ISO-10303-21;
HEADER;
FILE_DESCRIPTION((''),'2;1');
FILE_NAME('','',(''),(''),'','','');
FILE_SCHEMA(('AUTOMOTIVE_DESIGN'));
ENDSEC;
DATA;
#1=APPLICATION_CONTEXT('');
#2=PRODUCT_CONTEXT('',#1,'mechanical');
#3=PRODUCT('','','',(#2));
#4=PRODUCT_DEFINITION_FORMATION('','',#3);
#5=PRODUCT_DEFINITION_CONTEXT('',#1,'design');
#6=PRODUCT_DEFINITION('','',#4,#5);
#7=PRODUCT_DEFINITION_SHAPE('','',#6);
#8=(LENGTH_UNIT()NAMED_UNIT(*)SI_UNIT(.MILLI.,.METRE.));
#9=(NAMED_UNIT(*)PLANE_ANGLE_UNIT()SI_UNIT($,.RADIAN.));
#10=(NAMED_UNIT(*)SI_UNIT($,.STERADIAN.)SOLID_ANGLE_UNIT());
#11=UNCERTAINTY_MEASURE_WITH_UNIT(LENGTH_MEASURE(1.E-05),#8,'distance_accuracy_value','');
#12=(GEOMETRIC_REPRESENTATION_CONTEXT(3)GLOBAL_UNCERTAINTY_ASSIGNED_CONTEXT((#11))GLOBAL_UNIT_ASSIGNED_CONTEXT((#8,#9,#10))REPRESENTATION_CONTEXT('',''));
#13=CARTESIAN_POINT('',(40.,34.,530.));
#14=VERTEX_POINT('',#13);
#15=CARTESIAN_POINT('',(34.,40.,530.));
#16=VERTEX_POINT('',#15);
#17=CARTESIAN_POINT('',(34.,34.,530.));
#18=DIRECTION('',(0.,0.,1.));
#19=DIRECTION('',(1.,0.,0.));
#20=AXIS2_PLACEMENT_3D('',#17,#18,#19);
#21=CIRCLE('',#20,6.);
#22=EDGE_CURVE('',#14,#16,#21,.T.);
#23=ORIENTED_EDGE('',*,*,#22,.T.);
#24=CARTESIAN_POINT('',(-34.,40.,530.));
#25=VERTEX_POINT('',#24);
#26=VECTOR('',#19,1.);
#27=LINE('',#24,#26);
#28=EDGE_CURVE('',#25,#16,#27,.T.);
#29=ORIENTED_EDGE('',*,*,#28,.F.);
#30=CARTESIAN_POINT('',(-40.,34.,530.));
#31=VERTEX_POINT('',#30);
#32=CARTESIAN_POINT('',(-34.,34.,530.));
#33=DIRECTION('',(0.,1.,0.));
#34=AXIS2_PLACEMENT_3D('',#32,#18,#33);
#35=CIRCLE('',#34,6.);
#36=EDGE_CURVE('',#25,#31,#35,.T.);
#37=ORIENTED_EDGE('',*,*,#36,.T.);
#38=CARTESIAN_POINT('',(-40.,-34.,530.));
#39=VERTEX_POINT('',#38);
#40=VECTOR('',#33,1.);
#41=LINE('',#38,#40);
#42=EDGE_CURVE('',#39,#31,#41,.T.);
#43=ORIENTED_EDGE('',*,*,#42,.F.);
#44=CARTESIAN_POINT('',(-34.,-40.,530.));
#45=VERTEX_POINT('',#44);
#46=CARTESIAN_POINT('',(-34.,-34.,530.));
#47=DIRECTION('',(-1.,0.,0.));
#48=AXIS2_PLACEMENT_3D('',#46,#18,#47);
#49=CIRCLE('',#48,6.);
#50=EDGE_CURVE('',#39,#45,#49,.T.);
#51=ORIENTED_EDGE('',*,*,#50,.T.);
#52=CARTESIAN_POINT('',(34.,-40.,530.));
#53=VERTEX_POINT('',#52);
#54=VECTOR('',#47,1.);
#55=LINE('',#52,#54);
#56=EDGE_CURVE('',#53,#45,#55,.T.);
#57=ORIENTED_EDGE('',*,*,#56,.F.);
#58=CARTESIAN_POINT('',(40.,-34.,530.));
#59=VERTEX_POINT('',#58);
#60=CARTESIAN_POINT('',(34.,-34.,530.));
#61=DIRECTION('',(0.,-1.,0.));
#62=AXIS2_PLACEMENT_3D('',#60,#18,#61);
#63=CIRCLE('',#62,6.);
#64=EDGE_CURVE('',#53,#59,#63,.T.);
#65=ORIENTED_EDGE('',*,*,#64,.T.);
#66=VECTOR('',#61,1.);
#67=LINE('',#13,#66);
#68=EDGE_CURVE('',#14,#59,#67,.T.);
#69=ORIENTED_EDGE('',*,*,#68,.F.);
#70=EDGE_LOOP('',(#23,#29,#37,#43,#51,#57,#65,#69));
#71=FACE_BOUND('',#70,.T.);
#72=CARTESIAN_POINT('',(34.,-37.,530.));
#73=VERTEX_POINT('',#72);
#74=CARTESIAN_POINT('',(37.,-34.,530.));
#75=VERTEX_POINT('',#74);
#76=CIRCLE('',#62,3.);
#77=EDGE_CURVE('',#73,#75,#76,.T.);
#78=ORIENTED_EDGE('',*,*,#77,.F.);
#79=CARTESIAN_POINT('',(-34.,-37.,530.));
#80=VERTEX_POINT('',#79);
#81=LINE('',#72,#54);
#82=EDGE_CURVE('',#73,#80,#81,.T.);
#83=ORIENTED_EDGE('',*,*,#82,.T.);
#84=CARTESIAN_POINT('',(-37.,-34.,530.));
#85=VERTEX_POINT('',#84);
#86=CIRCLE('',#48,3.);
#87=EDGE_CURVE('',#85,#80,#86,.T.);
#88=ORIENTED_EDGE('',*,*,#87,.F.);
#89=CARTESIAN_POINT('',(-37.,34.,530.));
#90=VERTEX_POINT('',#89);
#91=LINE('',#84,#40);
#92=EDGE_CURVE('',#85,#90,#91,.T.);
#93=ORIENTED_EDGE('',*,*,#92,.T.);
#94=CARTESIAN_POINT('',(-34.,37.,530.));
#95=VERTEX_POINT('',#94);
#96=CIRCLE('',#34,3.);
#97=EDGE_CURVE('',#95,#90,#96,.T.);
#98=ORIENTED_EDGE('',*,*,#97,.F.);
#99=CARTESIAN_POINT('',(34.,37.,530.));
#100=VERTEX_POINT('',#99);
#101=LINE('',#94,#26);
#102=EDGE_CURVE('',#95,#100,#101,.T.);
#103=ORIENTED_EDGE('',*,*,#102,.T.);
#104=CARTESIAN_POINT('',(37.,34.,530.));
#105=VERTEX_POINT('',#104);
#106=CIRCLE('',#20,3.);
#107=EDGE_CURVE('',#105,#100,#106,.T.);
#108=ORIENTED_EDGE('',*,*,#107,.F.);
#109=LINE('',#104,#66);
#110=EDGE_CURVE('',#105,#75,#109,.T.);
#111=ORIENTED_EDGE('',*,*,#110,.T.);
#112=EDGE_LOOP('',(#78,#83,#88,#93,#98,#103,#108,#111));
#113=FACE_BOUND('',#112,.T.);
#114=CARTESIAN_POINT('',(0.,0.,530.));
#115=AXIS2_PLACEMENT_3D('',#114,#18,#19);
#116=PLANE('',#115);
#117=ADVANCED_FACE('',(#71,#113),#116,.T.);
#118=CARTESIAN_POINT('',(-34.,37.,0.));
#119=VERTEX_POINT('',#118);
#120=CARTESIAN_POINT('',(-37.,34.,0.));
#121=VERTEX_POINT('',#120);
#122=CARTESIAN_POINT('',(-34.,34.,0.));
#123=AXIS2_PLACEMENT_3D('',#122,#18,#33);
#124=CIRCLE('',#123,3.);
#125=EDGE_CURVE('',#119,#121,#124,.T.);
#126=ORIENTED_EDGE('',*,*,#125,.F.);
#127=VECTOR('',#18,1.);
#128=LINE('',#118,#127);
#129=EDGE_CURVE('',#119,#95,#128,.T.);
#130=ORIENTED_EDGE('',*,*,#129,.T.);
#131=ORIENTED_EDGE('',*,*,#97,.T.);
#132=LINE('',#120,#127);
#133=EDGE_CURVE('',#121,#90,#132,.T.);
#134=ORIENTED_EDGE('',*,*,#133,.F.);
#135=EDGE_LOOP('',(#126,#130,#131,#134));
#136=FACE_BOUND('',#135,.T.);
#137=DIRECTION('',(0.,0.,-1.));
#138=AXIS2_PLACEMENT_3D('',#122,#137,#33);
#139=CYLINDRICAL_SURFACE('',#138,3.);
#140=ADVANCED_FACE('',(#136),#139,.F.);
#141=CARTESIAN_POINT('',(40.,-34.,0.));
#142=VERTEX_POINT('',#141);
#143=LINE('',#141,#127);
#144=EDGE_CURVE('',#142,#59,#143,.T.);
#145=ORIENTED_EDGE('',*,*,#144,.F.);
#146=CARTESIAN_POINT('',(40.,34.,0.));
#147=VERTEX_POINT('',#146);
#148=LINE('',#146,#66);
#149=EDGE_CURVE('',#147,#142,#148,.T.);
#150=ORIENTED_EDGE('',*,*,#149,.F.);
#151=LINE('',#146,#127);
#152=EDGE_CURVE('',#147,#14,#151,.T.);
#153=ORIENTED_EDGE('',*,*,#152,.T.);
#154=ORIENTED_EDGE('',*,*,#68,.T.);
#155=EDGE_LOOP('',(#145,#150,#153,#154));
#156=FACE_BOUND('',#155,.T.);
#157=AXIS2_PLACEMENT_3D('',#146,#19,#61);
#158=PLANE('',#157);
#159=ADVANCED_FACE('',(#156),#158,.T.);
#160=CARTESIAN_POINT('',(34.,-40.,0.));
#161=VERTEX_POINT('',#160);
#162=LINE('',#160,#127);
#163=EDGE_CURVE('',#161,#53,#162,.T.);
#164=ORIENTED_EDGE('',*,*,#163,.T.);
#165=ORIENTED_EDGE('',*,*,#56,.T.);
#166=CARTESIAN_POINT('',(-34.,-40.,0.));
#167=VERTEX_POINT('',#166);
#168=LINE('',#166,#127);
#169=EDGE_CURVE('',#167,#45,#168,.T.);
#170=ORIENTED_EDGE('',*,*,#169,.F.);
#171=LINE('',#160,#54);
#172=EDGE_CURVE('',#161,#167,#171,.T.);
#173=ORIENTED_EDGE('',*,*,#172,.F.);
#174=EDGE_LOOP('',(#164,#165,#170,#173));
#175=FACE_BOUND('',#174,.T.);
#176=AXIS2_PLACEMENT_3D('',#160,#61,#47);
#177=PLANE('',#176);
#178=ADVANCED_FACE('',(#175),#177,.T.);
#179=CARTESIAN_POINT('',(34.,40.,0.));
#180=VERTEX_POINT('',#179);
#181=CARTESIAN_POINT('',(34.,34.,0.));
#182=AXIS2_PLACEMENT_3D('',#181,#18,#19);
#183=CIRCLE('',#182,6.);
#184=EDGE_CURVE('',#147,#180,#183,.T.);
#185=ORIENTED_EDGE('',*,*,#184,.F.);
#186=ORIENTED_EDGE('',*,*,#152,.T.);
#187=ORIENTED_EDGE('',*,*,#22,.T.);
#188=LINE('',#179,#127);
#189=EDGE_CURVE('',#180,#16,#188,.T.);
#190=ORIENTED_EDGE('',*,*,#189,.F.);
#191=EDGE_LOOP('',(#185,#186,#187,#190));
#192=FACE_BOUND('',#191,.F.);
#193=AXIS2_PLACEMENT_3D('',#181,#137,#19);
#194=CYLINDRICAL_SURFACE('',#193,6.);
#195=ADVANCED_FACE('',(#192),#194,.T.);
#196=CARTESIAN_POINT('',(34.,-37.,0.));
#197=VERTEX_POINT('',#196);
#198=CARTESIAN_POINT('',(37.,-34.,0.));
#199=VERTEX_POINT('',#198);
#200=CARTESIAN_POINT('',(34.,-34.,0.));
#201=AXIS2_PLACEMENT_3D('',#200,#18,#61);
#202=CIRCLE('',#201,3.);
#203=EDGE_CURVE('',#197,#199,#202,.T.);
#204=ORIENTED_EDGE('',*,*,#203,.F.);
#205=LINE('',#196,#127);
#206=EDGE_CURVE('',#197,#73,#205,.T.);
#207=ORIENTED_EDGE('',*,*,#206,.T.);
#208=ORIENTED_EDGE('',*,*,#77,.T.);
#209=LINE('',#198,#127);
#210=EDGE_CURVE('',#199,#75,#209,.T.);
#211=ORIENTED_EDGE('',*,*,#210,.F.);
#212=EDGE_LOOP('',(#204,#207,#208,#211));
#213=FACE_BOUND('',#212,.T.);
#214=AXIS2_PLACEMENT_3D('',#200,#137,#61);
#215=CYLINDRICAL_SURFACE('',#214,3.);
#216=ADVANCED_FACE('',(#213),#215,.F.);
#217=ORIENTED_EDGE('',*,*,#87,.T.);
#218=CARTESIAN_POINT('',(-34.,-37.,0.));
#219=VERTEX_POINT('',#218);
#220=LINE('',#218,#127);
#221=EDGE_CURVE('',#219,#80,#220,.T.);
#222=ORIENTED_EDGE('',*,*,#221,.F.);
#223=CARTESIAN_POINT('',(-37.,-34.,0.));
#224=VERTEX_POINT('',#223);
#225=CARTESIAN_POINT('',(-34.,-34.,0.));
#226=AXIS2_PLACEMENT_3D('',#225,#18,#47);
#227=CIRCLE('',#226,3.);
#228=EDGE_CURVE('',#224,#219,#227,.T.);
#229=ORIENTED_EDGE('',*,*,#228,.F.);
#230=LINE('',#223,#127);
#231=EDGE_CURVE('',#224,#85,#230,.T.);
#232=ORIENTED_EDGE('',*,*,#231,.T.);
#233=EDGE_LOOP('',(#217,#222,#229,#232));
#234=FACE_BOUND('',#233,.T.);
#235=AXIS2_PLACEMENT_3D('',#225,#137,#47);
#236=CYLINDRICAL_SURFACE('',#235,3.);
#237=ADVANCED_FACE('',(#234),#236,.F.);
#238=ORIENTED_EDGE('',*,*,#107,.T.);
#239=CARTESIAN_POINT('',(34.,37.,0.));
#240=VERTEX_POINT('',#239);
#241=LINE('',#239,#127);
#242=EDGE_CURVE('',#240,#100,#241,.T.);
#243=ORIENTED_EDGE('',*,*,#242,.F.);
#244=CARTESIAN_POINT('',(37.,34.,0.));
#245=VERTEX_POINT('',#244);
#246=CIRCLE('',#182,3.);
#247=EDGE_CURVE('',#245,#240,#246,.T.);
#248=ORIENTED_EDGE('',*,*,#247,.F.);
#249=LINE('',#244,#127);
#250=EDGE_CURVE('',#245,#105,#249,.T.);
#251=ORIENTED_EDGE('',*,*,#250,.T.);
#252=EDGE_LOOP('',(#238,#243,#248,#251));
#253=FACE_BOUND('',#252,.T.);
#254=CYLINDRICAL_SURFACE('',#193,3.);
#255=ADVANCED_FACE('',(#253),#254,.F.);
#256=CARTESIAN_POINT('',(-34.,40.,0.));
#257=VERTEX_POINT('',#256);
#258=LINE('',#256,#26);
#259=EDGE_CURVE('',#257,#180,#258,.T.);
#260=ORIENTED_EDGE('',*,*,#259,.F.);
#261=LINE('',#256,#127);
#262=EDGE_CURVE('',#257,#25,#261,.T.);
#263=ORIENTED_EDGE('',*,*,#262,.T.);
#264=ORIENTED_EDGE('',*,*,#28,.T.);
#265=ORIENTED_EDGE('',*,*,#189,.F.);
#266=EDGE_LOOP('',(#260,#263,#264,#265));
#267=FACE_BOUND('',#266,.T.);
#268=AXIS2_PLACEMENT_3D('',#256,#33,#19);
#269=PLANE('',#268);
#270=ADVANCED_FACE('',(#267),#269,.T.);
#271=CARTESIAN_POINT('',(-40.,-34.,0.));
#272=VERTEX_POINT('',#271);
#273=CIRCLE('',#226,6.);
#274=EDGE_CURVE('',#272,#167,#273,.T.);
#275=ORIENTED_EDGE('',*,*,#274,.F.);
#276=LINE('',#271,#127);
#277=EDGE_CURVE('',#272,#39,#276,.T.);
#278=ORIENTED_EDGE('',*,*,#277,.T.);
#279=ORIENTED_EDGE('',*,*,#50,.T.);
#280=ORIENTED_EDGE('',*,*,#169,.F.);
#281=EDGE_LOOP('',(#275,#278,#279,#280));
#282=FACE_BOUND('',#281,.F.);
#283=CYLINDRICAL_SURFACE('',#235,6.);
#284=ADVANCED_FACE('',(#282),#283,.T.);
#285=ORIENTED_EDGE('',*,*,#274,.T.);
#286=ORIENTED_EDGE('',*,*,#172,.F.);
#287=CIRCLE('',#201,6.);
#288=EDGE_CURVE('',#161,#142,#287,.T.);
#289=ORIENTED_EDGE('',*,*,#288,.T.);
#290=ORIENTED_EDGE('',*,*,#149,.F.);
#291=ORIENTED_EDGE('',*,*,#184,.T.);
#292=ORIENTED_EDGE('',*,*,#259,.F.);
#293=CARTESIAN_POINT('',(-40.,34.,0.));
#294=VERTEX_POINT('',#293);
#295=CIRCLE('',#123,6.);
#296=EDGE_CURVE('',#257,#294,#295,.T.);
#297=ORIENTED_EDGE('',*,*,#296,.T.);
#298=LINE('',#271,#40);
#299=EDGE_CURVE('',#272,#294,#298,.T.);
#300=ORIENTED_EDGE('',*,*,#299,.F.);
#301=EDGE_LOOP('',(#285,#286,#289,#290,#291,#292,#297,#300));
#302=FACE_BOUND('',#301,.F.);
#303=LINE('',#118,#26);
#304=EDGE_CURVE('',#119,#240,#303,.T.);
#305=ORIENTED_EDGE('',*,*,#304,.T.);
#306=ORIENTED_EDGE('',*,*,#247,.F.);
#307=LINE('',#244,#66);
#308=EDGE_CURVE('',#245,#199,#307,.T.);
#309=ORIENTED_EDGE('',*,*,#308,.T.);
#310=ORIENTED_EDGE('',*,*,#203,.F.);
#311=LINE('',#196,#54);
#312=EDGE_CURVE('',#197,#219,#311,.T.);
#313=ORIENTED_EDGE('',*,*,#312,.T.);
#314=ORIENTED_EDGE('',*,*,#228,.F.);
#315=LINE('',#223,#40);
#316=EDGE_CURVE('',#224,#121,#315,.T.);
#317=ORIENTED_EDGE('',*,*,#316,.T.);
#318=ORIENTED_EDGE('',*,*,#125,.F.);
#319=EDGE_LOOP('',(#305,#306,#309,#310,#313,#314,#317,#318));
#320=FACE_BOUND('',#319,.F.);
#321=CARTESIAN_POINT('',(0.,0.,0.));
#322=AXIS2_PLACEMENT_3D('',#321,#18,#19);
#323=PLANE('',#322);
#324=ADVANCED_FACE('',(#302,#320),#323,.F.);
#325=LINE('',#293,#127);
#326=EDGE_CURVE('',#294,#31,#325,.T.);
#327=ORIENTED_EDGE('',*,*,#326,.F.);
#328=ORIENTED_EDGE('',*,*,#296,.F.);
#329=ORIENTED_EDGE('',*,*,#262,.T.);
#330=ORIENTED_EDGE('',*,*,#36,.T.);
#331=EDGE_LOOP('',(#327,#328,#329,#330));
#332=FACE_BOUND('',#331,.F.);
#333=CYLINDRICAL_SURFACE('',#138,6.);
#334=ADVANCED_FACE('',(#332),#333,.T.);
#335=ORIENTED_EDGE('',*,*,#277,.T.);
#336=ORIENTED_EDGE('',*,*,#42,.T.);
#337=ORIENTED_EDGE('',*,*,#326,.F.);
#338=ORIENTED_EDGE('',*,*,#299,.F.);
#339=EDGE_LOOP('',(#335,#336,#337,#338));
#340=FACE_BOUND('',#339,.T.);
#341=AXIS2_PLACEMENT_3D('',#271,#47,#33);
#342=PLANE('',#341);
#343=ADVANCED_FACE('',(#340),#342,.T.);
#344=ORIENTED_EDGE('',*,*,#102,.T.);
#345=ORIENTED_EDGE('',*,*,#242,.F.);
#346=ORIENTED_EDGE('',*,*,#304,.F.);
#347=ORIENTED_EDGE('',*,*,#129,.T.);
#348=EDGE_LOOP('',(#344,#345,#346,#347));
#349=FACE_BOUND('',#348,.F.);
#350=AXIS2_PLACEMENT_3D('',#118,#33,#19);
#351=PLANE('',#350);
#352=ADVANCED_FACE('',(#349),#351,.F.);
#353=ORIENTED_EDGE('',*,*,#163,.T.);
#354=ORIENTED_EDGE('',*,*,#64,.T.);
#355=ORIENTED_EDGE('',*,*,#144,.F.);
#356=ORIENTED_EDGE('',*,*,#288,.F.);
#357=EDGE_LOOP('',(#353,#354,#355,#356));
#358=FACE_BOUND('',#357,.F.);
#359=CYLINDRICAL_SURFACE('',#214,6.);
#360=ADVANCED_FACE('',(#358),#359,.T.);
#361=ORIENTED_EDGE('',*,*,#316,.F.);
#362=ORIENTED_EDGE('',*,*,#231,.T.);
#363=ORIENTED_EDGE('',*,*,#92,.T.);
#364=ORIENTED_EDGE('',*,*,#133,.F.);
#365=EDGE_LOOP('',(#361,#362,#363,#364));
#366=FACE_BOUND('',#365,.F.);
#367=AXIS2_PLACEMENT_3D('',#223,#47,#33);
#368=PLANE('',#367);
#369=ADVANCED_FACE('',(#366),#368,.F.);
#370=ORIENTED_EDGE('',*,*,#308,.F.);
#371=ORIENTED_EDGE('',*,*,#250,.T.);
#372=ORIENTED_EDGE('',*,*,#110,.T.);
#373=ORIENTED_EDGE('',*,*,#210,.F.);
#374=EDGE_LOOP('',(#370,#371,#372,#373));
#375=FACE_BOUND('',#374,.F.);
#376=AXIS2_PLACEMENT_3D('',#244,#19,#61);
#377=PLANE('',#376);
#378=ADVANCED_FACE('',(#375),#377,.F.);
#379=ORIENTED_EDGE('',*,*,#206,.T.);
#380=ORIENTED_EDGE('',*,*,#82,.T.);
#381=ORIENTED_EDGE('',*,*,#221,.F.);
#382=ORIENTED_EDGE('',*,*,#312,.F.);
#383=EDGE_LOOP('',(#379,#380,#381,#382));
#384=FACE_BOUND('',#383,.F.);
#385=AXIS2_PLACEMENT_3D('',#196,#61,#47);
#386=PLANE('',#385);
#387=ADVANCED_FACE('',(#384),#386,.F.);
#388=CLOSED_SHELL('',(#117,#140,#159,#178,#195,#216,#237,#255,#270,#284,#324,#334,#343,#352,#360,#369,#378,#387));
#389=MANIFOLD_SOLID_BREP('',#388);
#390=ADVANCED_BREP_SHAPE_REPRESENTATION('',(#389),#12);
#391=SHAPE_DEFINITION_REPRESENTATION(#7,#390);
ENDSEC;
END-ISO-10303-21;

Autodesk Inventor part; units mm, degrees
ref_plane "YZ Plane" through (0, 0, 0) normal (1, 0, 0) x (0, 1, 0)
ref_plane "Start Plane" through (0, 0, 0) normal (0, 0, 1) x (1, 0, 0)
ref_plane "End Plane" through (0, 0, 530) normal (0, 0, 1) x (1, 0, 0)
sketch "Sketch" plane through (0, 0, 0) normal (0, 0, 1) x (1, 0, 0)
  line L0 (-40, -34) -> (-40, 34)
  line L1 (-34, 40) -> (34, 40)
  line L2 (40, 34) -> (40, -34)
  line L3 (34, -40) -> (-34, -40)
  arc A0 (-40, -34) -> (-34, -40) centre (-34, -34) ccw
  arc A1 (40, 34) -> (34, 40) centre (34, 34) ccw
  arc A2 (-34, 40) -> (-40, 34) centre (-34, 34) ccw
  arc A3 (34, -40) -> (40, -34) centre (34, -34) ccw
  arc A4 (-34, 37) -> (-37, 34) centre (-34, 34) ccw
  line L4 (-34, 37) -> (34, 37)
  arc A5 (37, 34) -> (34, 37) centre (34, 34) ccw
  line L5 (37, 34) -> (37, -34)
  arc A6 (34, -37) -> (37, -34) centre (34, -34) ccw
  line L6 (34, -37) -> (-34, -37)
  arc A7 (-37, -34) -> (-34, -37) centre (-34, -34) ccw
  line L7 (-37, -34) -> (-37, 34)
  line L8 (0, 57.7397) -> (0, -57.7397) construction
  line L9 (-57.7397, 0) -> (57.7397, 0) construction
  dimension "d7" = 6
  dimension "d9" = 80
  dimension "d11" = 80
  dimension "d12" = 3
  dimension "d15" = 40
  dimension "d16" = 40
extrude "Body" add sketch "Sketch" along normal up to surface (530 mm away) from surface at 0
sketch "Sketch3" plane through (0, 0, 0) normal (0, 0, 1) x (1, 0, 0)
  line L0 (0, 0) -> (10, 0)
ref_plane "Work Plane3" through (0, 0, 0) normal (0, -1, 0) x (1, 0, 0)
sketch "Sketch4" plane through (0, 0, 0) normal (0, -1, 0) x (1, 0, 0)
  line L0 (-2, 0) -> (12, 0) projected
  line L1 (-2, 530) -> (12, 530) projected
  dimension "d18" = 530
equation "\"d7\" = G_IR"
equation "\"d9\" = G_W"
equation "\"d11\" = G_H"
equation "\"d12\" = G_T"
equation "\"d15\" = 0.5 * d9"
equation "\"d16\" = 0.5 * d11"
equation "\"d3\" = G_L"
equation "\"G_W\" = 80"
equation "\"G_H\" = 80"
equation "\"G_T\" = 3"
equation "\"G_IR\" = 6"
equation "\"G_L\" = d18"
equation "\"G_OFFSET_START\" = 0"
equation "\"G_OFFSET_END\" = 0"
properties part number "ISO 10799-2 - 80x80x3 - 530" material "Steel, Mild"
